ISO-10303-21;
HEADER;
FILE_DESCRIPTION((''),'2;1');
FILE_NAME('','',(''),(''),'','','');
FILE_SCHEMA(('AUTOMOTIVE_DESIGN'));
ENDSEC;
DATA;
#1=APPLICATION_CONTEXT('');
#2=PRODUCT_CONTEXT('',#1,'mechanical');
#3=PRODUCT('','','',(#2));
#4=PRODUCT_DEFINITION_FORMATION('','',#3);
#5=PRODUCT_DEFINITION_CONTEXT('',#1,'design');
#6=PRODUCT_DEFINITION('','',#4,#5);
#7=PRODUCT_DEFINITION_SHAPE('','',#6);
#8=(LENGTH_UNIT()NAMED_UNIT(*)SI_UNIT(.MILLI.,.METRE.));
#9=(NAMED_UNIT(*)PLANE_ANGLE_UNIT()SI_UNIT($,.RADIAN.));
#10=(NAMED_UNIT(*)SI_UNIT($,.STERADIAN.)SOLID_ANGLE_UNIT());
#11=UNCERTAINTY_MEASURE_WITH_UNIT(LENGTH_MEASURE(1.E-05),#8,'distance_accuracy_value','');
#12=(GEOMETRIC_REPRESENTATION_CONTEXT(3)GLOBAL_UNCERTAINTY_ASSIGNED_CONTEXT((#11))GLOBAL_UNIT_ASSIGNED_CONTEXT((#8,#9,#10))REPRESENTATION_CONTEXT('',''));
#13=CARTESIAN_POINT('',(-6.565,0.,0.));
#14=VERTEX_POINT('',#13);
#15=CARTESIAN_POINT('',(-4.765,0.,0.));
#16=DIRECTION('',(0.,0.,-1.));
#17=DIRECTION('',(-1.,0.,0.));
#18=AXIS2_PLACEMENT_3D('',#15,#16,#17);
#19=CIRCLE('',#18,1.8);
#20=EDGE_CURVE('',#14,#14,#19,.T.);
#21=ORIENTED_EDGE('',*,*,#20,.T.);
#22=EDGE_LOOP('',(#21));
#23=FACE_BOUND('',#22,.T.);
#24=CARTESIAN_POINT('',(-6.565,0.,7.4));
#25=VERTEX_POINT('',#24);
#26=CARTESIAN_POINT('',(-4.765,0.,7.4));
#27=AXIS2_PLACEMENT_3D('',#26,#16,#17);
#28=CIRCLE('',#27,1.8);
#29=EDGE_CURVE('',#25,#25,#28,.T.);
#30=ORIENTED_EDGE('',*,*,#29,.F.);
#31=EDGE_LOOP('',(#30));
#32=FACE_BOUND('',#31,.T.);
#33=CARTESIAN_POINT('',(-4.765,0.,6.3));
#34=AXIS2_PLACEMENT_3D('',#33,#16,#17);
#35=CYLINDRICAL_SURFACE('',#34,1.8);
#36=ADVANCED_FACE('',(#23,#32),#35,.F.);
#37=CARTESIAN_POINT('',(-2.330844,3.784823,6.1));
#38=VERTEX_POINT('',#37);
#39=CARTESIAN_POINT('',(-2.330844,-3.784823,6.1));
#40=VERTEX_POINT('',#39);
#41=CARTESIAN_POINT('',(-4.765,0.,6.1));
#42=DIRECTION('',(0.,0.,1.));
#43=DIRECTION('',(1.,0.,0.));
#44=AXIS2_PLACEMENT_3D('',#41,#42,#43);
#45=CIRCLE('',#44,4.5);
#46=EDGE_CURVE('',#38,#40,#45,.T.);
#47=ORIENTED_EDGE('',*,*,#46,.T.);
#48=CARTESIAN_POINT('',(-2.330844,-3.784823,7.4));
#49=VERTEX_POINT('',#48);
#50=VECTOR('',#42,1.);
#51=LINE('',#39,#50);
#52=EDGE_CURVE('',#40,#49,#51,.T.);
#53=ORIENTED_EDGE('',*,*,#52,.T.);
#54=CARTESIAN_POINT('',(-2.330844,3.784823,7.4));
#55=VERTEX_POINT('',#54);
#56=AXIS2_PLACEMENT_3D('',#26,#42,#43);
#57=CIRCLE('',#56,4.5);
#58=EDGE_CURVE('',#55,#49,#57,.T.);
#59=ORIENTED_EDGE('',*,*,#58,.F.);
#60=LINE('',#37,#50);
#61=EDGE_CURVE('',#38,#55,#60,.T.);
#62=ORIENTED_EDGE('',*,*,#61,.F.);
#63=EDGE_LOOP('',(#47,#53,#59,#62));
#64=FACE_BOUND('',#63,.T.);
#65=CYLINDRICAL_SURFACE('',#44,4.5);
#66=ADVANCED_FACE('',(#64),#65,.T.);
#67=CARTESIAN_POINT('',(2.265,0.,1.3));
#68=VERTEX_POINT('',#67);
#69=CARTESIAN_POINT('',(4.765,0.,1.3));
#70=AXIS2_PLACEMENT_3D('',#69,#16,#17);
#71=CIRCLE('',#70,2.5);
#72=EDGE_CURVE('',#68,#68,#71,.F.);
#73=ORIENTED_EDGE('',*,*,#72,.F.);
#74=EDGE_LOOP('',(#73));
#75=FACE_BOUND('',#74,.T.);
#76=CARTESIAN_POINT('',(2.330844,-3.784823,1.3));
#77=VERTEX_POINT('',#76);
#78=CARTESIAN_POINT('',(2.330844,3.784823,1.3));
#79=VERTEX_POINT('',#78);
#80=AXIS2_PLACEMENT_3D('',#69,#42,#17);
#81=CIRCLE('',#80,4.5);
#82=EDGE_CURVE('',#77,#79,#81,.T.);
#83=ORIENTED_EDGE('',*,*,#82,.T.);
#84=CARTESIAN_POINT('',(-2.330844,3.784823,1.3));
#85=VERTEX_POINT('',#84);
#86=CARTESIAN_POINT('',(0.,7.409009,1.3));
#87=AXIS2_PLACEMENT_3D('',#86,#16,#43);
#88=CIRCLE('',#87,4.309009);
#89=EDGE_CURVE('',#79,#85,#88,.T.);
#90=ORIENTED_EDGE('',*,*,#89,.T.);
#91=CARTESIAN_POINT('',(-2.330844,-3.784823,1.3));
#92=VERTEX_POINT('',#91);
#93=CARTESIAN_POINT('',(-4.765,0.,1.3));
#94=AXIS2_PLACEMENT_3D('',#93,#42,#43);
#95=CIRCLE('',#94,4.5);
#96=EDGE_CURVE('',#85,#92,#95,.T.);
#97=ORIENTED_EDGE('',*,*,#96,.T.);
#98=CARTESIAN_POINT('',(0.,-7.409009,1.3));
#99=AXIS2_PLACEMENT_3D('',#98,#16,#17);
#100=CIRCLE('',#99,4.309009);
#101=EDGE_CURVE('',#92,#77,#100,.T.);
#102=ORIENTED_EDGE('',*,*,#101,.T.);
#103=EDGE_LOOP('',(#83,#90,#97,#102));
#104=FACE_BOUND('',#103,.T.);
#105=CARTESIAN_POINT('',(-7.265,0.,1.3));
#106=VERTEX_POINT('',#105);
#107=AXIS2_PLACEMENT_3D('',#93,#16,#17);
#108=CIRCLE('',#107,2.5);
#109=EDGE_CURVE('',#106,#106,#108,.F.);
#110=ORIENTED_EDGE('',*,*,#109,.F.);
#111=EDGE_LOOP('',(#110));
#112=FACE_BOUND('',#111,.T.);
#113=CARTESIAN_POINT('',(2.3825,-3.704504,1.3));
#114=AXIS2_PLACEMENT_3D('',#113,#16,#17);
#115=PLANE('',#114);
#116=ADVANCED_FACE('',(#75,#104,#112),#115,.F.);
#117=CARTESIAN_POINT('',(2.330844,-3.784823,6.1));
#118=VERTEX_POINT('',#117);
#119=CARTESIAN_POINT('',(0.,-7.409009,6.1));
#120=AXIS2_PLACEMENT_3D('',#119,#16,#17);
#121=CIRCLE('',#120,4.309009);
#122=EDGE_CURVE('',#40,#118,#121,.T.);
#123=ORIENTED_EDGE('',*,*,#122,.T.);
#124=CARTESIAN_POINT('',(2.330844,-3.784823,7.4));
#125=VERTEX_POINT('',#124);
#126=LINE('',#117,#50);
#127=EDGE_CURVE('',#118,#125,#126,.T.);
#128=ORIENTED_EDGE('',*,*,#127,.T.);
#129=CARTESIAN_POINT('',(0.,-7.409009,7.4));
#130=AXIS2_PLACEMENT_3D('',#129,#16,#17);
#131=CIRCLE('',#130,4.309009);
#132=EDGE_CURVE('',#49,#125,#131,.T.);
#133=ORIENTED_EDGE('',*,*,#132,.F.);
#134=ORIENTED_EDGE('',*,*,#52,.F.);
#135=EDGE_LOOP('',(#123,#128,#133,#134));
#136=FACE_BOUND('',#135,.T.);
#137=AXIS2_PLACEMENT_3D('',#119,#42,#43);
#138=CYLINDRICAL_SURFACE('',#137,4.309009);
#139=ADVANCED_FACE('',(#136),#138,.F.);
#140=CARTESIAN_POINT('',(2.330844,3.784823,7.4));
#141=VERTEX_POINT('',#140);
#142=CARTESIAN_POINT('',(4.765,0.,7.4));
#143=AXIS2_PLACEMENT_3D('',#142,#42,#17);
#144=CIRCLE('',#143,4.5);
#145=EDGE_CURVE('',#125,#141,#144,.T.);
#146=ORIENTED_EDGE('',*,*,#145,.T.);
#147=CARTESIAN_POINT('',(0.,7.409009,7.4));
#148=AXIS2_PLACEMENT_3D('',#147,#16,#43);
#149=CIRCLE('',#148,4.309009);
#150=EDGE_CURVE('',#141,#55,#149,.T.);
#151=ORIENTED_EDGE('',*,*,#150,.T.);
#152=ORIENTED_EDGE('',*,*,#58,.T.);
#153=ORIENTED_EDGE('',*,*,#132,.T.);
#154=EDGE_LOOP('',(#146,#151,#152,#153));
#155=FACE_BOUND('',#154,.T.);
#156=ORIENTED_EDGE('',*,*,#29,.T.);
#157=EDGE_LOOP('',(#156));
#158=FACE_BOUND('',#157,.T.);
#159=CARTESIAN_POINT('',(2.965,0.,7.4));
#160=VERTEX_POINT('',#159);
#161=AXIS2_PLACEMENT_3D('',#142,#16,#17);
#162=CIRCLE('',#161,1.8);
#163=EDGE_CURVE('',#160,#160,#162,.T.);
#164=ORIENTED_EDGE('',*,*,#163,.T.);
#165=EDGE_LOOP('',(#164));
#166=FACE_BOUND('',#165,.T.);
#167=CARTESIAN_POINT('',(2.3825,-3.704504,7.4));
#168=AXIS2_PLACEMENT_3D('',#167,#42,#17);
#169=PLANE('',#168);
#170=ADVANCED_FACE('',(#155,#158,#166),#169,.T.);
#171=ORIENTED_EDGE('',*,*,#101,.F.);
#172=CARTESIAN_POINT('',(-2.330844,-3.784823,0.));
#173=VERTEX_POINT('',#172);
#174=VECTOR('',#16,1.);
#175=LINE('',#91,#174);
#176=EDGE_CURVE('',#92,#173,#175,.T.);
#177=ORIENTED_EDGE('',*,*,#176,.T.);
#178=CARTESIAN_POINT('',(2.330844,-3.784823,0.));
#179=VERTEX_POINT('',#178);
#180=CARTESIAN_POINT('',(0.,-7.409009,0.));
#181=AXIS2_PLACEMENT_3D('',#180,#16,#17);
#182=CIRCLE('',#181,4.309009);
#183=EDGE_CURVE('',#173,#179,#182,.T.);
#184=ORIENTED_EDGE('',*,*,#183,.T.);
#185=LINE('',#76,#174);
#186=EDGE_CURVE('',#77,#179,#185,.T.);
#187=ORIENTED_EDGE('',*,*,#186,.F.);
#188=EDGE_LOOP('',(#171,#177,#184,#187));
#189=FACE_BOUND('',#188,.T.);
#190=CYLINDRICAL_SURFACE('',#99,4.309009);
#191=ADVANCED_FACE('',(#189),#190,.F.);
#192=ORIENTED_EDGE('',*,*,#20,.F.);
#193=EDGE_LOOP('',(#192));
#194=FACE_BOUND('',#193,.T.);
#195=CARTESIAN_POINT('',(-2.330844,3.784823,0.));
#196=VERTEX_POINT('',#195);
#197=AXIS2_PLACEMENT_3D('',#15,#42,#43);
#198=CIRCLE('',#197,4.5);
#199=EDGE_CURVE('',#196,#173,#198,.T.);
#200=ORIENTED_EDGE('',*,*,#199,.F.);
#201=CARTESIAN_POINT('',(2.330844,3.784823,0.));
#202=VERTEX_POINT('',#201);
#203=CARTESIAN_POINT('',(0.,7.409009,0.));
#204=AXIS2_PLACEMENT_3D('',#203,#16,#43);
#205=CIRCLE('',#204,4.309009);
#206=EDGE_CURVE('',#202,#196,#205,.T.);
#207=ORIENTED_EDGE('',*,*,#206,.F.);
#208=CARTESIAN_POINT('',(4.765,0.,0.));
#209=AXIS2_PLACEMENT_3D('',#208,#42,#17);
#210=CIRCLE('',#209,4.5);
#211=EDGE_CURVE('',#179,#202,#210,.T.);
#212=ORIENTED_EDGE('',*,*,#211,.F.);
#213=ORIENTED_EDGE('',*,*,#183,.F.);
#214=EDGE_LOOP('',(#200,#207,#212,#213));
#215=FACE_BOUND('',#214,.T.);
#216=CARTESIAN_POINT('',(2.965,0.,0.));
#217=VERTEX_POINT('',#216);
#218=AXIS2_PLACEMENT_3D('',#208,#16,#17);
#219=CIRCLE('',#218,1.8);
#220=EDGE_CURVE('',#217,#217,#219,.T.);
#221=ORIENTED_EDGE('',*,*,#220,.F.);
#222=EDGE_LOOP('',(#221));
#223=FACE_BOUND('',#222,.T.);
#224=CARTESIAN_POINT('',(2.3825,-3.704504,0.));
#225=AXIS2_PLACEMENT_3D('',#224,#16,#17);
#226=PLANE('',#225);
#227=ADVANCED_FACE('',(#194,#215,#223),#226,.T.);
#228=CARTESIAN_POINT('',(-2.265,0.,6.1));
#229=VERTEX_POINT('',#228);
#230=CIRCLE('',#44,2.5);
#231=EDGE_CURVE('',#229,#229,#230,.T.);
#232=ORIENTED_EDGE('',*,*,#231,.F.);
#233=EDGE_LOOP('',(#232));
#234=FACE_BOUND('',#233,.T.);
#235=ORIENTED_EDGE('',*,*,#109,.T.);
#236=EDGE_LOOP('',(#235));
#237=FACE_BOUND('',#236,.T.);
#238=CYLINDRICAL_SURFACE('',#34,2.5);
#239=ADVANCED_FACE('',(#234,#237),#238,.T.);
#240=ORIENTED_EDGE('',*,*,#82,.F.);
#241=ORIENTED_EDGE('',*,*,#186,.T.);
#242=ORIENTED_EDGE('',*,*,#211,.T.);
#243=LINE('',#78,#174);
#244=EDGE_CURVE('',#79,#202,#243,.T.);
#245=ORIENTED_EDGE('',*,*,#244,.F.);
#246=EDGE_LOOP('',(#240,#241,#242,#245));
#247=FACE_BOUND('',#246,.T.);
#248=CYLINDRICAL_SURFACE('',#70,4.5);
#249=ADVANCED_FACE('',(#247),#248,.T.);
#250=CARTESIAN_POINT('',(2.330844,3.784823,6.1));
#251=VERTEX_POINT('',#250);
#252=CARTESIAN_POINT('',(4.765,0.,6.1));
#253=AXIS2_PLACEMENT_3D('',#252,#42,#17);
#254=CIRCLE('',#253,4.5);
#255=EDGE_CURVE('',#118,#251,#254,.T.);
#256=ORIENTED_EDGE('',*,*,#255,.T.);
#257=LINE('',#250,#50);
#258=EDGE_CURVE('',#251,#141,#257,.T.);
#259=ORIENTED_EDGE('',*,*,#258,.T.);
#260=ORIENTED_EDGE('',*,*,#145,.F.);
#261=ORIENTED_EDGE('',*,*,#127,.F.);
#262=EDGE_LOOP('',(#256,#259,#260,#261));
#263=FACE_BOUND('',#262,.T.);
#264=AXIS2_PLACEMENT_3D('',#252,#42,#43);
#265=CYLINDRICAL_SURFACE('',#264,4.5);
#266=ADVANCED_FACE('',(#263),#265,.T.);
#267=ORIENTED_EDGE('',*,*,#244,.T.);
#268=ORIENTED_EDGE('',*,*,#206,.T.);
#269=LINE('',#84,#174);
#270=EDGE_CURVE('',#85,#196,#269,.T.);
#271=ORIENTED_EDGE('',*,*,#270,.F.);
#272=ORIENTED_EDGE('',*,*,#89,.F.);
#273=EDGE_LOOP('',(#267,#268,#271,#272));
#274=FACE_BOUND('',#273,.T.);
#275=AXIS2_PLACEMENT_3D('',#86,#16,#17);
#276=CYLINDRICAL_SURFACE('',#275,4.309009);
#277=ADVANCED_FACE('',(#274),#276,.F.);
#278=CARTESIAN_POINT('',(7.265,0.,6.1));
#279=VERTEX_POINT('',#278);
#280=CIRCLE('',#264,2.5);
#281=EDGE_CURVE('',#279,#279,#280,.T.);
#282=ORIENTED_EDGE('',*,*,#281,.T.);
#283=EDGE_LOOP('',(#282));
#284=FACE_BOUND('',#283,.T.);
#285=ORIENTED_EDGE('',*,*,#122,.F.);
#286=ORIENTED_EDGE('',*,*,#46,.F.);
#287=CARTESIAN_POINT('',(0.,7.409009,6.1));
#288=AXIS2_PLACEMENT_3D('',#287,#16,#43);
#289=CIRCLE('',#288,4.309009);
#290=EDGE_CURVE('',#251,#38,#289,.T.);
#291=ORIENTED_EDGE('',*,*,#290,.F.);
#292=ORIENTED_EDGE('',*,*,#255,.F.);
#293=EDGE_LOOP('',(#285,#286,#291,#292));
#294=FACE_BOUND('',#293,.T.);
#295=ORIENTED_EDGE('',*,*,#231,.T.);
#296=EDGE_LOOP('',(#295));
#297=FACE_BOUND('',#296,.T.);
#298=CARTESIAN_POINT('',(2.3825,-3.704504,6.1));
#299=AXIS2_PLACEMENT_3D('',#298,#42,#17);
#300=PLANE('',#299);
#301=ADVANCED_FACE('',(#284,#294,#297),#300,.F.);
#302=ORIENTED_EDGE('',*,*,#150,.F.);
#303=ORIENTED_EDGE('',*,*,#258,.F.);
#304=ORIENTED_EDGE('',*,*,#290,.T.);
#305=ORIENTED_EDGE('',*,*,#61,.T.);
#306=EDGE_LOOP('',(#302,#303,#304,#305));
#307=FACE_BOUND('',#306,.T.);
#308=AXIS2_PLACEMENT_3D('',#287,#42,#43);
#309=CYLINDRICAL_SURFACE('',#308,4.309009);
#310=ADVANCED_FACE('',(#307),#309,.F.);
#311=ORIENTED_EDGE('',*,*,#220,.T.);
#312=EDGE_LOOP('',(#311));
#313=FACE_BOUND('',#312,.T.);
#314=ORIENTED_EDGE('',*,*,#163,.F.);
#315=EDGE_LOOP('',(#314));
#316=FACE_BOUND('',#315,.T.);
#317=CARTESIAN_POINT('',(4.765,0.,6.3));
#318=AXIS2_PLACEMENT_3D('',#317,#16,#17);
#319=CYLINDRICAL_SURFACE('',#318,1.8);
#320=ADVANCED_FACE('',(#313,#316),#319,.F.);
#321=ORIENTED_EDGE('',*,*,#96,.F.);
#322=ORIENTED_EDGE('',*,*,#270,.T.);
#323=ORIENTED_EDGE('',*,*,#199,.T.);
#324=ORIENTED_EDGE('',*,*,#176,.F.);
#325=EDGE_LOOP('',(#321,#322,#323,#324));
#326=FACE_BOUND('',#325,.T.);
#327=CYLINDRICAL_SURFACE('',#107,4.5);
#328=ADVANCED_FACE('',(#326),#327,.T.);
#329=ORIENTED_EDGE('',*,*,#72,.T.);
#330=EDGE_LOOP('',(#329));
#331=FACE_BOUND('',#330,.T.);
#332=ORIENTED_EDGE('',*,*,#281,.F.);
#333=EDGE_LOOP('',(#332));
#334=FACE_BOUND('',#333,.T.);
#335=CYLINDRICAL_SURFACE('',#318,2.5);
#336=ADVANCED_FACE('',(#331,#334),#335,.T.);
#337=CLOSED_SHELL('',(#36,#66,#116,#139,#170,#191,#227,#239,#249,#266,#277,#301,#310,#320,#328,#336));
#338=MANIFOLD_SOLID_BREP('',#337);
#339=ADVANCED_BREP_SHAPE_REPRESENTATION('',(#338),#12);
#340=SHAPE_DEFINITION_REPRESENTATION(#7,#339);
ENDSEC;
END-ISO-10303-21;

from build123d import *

# Parameters (mm, degrees)
BOSS_EXTRUDE1_DEPTH     = 1.3
SKETCH2_R               = 2.5
SKETCH2_R_2             = 1.8
BOSS_EXTRUDE2_DEPTH     = 5
CUT_EXTRUDE1_DEPTH      = 11.944415242
CUT_EXTRUDE1_DEPTH_BACK = 11.944415242
SKETCH4_R               = 1.8


with BuildPart() as part:
    # Sketch1 → Boss-Extrude1 (new body)
    with BuildSketch(Plane.XY):
        with BuildLine():
            ThreePointArc((-2.33084422, 3.784823066), (-9.265, 0), (-2.33084422, -3.784823066))
            ThreePointArc((-2.33084422, -3.784823066), (0, -3.1), (2.33084422, -3.784823066))
            ThreePointArc((2.33084422, -3.784823066), (9.265, 0), (2.33084422, 3.784823066))
            ThreePointArc((2.33084422, 3.784823066), (0, 3.1), (-2.33084422, 3.784823066))
        make_face()
    boss_extrude1 = extrude(amount=BOSS_EXTRUDE1_DEPTH)

    # Sketch2 → Boss-Extrude2 (add)
    # profile 1 of 2: a face of its own
    with BuildSketch(Plane.XY.offset(1.3)):
        with Locations(Location((-4.765, 0, 0), (0, 0, 180))):
            Circle(SKETCH2_R)
        with Locations((-4.765, 0)):
            Circle(SKETCH2_R_2, mode=Mode.SUBTRACT)
    # profile 2 of 2: a face of its own
    with BuildSketch(Plane.XY.offset(1.3)):
        with Locations(Location((4.765, 0, 0), (0, 0, 180))):
            Circle(SKETCH2_R)
        with Locations((4.765, 0)):
            Circle(SKETCH2_R_2, mode=Mode.SUBTRACT)
    extrude(amount=BOSS_EXTRUDE2_DEPTH)

    # Mirror5: Boss-Extrude1 across plane
    add(boss_extrude1.mirror(Plane(origin=(0, 0, 3.7), x_dir=(1, 0, 0), z_dir=(0, 0, -1))))

    # Sketch4 → Cut-Extrude1 (cut, two sides: drawn at the far end of the back side and taken through both)
    with BuildSketch(Plane(origin=(0, 0, 3.7), x_dir=(-1, 0, 0), z_dir=(0, 0, -1)).offset(-CUT_EXTRUDE1_DEPTH_BACK)):
        with Locations((-4.765, 0)):
            Circle(SKETCH4_R)
        with Locations((4.765, 0)):
            Circle(SKETCH4_R)
    extrude(amount=CUT_EXTRUDE1_DEPTH + CUT_EXTRUDE1_DEPTH_BACK, mode=Mode.SUBTRACT)


solid = part.part
